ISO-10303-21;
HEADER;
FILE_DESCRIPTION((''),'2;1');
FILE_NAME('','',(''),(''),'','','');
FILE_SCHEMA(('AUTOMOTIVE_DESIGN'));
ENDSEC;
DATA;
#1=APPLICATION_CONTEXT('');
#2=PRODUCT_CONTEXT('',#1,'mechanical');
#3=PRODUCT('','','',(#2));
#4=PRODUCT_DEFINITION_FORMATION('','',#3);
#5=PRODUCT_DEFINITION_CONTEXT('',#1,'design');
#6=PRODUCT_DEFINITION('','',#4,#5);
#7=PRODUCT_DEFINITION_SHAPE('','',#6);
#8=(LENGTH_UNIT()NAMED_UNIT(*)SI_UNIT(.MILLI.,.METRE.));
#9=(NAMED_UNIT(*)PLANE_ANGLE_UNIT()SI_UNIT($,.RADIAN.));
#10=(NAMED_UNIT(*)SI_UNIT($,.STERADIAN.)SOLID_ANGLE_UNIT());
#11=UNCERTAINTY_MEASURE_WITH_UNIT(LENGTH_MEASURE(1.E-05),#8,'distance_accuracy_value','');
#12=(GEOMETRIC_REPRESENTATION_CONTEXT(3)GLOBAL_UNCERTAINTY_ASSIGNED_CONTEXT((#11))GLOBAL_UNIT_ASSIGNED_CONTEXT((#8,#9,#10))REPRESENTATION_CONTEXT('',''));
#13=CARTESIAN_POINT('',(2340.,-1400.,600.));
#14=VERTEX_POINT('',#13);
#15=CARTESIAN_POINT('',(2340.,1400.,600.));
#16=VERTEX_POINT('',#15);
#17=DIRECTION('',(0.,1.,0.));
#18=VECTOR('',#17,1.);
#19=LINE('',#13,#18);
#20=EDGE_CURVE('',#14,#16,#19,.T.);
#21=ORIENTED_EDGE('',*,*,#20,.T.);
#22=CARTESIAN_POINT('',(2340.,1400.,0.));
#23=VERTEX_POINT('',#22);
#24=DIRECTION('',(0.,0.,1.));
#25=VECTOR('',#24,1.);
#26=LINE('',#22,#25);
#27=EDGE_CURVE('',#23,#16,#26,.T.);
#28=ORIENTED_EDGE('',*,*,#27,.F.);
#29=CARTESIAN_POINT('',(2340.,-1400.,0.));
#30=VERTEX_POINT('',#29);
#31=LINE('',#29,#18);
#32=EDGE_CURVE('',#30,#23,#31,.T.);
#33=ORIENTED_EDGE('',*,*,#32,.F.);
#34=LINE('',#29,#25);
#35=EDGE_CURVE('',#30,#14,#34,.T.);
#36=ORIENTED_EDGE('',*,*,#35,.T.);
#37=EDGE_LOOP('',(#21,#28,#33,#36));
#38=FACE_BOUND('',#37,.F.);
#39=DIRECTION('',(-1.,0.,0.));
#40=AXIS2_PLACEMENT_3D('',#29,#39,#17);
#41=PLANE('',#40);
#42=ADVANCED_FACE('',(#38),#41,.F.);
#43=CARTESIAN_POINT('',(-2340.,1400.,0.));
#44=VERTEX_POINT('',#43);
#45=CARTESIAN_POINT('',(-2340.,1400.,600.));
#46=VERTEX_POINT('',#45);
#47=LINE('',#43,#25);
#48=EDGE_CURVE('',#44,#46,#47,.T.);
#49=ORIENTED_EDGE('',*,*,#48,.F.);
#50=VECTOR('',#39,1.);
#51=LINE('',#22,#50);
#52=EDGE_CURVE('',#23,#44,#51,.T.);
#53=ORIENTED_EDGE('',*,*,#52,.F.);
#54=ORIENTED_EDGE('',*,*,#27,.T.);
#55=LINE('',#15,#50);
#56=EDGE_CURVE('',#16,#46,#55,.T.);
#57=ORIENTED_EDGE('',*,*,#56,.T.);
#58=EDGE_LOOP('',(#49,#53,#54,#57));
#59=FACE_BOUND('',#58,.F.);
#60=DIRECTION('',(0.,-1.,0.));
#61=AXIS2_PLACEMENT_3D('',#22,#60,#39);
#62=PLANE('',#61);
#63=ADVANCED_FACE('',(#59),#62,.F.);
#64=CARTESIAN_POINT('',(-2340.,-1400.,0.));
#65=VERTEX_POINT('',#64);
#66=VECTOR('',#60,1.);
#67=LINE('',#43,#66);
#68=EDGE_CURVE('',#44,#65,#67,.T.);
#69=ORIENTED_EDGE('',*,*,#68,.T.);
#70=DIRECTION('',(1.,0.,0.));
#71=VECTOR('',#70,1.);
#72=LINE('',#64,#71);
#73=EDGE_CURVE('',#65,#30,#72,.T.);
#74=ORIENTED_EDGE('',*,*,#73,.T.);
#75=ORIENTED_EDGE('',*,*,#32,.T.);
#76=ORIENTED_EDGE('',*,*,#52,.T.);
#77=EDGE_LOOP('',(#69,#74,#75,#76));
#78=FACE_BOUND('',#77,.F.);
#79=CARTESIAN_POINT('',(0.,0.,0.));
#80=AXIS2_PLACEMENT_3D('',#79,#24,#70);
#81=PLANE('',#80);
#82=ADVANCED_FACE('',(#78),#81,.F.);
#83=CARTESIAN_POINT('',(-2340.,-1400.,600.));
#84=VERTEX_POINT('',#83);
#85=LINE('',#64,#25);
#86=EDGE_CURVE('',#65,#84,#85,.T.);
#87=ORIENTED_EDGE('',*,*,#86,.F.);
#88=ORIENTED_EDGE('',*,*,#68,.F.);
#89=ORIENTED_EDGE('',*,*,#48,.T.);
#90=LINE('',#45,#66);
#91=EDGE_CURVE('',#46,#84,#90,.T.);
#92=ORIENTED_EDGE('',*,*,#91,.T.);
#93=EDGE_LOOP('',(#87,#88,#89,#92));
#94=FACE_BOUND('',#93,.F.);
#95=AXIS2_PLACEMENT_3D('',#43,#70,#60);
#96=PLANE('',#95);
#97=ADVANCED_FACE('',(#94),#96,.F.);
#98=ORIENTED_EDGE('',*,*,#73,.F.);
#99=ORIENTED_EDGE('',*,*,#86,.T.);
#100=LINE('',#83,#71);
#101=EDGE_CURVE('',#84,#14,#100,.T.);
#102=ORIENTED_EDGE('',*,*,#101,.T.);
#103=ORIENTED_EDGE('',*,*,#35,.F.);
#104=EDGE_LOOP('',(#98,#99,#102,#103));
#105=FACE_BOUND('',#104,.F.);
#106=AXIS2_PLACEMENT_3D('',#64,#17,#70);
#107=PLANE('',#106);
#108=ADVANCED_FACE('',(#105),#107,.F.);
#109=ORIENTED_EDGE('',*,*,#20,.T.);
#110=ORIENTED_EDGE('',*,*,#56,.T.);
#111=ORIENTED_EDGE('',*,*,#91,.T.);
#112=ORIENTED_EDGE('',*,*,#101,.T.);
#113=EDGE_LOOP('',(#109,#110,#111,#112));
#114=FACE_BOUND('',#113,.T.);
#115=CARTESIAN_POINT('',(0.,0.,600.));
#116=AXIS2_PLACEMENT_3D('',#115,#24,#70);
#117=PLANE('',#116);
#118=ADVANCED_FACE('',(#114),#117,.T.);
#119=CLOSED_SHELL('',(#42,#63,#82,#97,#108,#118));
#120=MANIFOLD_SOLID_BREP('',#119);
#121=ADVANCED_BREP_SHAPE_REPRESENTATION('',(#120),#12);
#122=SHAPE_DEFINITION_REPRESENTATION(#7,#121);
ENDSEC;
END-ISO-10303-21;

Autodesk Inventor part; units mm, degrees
ref_plane "YZ Plane" through (0, 0, 0) normal (1, 0, 0) x (0, 1, 0)
ref_plane "XZ Plane" through (0, 0, 0) normal (0, 1, 0) x (-1, 0, 0)
ref_plane "XY Plane" through (0, 0, 0) normal (0, 0, 1) x (1, 0, 0)
sketch "Sketch1" plane through (0, 0, 0) normal (0, 0, 1) x (1, 0, 0)
  line L0 (-2340, -1400) -> (2340, -1400)
  line L1 (2340, -1400) -> (2340, 1400)
  line L2 (2340, 1400) -> (-2340, 1400)
  line L3 (-2340, 1400) -> (-2340, -1400)
  line L4 (-2340, -1400) -> (2340, 1400) construction
  line L5 (2340, -1400) -> (-2340, 1400) construction
  point P0 (0, 0)
  dimension "d0" = 4680
  dimension "d1" = 2800
extrude "Extrusion1" add sketch "Sketch1" along normal blind 600
properties part number "wall"
